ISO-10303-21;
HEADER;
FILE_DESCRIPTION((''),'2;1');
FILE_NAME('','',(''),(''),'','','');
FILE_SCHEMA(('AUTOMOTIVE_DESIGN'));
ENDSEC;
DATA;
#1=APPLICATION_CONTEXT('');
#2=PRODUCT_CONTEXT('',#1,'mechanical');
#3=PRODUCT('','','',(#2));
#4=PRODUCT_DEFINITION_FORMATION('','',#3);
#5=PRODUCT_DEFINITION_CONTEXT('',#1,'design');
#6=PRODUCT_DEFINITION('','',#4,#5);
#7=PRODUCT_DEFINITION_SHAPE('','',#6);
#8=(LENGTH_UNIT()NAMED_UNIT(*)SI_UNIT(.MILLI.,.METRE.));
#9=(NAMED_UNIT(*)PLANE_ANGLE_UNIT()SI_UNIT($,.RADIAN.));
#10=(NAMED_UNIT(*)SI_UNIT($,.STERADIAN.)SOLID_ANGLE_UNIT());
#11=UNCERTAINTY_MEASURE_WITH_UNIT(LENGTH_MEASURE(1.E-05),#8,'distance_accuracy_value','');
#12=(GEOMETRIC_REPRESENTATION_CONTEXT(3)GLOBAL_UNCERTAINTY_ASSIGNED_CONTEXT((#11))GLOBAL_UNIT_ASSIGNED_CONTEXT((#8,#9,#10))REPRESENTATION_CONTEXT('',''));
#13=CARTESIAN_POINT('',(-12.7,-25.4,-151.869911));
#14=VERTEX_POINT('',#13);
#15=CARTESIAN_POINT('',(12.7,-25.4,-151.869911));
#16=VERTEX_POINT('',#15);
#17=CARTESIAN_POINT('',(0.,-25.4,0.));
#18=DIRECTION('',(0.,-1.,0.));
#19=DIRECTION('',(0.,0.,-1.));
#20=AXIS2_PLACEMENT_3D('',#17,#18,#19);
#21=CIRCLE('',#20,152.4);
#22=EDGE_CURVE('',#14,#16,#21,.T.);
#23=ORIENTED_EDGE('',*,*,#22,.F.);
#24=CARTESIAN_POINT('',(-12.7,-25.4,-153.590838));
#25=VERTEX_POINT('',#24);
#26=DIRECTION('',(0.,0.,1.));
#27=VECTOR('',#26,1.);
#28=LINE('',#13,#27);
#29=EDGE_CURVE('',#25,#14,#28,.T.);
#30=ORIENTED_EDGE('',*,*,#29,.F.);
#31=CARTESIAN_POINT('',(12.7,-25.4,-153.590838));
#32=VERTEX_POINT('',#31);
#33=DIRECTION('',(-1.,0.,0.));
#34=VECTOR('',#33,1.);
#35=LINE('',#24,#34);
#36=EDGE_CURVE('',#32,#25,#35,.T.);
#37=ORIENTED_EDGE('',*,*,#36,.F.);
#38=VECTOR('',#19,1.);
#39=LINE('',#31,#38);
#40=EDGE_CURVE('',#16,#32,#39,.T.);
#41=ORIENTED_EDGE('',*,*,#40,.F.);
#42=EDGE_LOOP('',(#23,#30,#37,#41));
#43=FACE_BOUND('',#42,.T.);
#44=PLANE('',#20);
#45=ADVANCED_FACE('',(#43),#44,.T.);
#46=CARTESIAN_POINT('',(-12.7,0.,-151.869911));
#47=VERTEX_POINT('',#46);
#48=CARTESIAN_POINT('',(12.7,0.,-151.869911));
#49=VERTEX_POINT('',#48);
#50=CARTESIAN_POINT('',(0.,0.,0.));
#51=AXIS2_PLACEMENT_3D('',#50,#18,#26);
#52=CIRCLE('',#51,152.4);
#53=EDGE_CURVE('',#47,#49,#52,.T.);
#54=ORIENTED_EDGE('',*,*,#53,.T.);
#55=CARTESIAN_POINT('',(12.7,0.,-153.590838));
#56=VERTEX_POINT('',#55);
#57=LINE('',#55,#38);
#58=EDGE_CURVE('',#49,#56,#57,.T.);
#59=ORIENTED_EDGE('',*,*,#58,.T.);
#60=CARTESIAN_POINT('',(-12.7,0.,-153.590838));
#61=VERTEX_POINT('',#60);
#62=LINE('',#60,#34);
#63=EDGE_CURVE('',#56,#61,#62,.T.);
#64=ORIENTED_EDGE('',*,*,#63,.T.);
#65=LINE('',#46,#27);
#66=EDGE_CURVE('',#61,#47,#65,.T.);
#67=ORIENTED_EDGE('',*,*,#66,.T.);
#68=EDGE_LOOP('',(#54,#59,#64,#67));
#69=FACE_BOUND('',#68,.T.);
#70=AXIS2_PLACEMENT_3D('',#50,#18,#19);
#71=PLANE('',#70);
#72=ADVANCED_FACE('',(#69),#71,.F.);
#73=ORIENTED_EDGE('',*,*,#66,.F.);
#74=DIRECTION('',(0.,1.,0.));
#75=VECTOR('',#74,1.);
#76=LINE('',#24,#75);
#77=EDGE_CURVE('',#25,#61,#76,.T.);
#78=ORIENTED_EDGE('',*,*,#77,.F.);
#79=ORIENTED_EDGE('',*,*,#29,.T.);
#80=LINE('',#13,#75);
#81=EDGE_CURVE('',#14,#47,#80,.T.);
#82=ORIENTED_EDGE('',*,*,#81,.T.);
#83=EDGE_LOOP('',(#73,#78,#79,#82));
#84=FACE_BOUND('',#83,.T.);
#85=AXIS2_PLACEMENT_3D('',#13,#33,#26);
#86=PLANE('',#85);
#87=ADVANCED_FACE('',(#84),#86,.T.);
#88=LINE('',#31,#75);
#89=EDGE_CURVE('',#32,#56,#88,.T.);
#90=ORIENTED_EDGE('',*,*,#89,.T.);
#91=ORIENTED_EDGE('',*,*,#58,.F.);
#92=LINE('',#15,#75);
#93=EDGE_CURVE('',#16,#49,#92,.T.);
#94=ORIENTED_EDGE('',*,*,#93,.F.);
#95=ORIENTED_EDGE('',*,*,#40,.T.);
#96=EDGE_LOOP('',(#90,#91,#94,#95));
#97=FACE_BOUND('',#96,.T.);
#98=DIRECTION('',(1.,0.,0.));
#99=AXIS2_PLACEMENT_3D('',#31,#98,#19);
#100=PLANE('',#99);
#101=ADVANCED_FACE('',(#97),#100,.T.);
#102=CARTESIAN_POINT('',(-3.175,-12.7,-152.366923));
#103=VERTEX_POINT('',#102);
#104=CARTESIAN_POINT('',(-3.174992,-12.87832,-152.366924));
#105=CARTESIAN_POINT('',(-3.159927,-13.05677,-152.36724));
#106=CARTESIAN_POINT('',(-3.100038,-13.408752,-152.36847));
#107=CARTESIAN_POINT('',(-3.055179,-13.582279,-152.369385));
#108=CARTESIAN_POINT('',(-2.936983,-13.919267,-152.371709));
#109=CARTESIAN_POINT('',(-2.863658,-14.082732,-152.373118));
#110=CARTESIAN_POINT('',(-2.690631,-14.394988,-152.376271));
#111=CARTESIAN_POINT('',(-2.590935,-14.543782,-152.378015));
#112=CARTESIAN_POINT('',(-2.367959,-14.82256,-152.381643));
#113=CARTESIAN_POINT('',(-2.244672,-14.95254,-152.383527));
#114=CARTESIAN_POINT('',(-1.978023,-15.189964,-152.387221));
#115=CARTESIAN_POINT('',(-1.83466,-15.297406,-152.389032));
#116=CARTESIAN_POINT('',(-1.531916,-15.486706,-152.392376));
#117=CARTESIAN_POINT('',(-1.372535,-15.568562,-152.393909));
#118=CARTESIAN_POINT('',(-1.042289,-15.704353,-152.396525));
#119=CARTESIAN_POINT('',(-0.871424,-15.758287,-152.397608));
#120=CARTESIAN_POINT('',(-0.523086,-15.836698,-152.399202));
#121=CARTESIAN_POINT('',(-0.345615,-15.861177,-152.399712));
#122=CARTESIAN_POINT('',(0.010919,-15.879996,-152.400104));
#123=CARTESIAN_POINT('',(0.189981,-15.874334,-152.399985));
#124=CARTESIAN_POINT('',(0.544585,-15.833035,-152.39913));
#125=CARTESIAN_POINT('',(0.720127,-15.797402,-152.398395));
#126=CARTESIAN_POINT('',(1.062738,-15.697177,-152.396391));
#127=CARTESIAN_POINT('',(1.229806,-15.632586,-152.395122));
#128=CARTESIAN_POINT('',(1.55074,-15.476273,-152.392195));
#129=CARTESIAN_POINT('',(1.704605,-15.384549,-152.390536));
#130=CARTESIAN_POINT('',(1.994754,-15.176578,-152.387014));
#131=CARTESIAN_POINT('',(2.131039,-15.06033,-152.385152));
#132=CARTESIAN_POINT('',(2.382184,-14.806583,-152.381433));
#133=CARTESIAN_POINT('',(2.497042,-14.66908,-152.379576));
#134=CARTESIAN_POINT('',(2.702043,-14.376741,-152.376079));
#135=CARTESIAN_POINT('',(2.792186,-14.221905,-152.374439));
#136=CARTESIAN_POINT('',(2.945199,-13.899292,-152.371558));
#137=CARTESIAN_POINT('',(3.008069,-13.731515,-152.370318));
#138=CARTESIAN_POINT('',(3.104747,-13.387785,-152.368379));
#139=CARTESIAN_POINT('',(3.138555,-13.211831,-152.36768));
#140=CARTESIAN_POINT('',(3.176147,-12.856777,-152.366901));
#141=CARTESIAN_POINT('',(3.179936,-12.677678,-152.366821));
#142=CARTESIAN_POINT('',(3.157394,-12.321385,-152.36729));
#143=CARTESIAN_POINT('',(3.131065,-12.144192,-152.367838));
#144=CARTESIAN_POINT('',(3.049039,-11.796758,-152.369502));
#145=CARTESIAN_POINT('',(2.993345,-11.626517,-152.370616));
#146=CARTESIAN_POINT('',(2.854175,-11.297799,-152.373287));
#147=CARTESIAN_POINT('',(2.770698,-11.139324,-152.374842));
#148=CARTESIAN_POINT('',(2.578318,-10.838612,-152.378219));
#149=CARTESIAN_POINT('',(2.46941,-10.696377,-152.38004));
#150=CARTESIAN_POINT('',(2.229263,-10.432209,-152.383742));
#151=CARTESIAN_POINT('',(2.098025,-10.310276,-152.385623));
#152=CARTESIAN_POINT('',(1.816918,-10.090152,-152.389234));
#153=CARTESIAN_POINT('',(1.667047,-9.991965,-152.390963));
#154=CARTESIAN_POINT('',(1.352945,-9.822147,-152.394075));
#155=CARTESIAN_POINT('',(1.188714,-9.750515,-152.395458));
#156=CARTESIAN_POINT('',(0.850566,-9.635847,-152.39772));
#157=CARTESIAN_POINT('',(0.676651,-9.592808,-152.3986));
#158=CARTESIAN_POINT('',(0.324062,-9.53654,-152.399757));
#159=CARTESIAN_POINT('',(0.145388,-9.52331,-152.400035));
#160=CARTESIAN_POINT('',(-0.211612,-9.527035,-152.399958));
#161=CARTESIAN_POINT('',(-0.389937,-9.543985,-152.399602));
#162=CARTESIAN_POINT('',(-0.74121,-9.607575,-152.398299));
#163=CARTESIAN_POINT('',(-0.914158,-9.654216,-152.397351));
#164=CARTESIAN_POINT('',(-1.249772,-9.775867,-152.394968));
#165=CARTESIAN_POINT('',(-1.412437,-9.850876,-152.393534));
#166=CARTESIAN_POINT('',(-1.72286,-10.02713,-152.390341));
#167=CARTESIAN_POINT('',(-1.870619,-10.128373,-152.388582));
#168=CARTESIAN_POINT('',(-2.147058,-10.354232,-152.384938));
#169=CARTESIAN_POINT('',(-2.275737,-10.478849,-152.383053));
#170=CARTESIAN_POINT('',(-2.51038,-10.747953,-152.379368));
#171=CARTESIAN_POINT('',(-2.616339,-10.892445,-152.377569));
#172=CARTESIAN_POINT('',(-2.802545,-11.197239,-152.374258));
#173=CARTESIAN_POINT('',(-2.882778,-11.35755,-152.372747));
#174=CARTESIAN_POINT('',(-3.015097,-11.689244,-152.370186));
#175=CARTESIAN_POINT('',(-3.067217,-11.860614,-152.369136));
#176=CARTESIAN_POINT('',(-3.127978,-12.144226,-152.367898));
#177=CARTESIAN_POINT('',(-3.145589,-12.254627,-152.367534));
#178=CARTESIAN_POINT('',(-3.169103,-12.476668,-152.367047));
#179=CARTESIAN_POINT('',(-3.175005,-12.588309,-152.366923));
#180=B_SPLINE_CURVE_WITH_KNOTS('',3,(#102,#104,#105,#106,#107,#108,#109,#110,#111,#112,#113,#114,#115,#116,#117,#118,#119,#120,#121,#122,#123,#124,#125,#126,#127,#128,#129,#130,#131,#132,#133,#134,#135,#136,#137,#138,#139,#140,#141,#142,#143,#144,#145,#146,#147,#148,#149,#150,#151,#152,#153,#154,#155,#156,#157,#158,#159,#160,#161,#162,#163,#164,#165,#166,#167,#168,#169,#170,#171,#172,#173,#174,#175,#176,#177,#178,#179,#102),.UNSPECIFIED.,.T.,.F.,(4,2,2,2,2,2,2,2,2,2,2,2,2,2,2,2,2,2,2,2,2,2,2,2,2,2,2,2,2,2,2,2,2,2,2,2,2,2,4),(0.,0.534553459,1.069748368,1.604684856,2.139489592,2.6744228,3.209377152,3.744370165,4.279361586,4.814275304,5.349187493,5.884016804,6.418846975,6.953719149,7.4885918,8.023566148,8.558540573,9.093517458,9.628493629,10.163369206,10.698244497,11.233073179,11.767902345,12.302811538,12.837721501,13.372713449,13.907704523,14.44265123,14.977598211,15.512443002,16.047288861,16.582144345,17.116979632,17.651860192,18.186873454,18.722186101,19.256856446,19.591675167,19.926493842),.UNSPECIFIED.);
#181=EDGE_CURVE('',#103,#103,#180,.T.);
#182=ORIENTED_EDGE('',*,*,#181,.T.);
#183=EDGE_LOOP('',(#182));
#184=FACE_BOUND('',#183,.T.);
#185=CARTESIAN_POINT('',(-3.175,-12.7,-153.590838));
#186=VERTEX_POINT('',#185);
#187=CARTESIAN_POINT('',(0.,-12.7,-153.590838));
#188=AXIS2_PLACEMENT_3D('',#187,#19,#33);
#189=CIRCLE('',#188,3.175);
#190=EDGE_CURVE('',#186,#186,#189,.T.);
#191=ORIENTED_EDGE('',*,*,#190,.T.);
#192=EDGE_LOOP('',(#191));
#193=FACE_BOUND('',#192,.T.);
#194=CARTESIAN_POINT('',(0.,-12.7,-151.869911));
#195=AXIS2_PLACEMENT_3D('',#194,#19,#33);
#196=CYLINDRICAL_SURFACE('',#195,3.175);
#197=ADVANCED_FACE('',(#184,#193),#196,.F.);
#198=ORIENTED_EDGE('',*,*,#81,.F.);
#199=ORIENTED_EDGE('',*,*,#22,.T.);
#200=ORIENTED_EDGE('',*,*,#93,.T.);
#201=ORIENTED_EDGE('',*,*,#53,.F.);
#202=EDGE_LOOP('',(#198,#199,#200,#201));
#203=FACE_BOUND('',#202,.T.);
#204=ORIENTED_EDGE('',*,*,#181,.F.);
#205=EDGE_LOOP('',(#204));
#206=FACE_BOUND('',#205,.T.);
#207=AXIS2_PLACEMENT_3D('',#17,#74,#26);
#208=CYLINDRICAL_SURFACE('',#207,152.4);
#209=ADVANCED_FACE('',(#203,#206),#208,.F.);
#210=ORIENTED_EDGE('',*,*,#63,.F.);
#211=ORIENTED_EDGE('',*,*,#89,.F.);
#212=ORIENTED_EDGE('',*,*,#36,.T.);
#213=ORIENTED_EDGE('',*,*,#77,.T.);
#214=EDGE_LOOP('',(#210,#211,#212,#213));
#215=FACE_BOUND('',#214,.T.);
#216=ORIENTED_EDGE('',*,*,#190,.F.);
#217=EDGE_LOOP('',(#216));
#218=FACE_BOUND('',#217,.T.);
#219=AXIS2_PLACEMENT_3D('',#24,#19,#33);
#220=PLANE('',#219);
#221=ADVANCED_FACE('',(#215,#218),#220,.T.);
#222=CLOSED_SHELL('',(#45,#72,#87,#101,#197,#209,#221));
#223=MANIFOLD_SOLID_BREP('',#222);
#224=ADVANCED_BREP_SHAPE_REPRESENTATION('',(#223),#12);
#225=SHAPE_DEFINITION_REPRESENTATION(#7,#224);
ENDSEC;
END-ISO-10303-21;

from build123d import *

# Parameters (mm, degrees)
BOSS_EXTRUDE1_DEPTH = 25.4
SKETCH2_R           = 3.175
CUT_EXTRUDE1_DEPTH  = 1.7209262


with BuildPart() as part:
    # Sketch1 → Boss-Extrude1 (new body)
    with BuildSketch(Plane(origin=(0, 0, 0), x_dir=(1, 0, 0), z_dir=(0, 1, 0))):
        with BuildLine():
            Line((-12.7, 151.869911437), (-12.7, 153.590837637))
            Line((-12.7, 153.590837637), (12.7, 153.590837637))
            Line((12.7, 153.590837637), (12.7, 151.869911437))
            ThreePointArc((12.7, 151.869911437), (6.355528969, 152.267420191), (0, 152.4))
            ThreePointArc((0, 152.4), (-6.355528969, 152.267420191), (-12.7, 151.869911437))
        make_face()
    extrude(amount=-BOSS_EXTRUDE1_DEPTH)

    # Sketch2 → Cut-Extrude1 (cut)
    with BuildSketch(Plane(origin=(0, 0, -153.590837637), x_dir=(-1, 0, 0), z_dir=(0, 0, -1))):
        with Locations((0, -12.7)):
            Circle(SKETCH2_R)
    extrude(amount=-CUT_EXTRUDE1_DEPTH, mode=Mode.SUBTRACT)


solid = part.part
